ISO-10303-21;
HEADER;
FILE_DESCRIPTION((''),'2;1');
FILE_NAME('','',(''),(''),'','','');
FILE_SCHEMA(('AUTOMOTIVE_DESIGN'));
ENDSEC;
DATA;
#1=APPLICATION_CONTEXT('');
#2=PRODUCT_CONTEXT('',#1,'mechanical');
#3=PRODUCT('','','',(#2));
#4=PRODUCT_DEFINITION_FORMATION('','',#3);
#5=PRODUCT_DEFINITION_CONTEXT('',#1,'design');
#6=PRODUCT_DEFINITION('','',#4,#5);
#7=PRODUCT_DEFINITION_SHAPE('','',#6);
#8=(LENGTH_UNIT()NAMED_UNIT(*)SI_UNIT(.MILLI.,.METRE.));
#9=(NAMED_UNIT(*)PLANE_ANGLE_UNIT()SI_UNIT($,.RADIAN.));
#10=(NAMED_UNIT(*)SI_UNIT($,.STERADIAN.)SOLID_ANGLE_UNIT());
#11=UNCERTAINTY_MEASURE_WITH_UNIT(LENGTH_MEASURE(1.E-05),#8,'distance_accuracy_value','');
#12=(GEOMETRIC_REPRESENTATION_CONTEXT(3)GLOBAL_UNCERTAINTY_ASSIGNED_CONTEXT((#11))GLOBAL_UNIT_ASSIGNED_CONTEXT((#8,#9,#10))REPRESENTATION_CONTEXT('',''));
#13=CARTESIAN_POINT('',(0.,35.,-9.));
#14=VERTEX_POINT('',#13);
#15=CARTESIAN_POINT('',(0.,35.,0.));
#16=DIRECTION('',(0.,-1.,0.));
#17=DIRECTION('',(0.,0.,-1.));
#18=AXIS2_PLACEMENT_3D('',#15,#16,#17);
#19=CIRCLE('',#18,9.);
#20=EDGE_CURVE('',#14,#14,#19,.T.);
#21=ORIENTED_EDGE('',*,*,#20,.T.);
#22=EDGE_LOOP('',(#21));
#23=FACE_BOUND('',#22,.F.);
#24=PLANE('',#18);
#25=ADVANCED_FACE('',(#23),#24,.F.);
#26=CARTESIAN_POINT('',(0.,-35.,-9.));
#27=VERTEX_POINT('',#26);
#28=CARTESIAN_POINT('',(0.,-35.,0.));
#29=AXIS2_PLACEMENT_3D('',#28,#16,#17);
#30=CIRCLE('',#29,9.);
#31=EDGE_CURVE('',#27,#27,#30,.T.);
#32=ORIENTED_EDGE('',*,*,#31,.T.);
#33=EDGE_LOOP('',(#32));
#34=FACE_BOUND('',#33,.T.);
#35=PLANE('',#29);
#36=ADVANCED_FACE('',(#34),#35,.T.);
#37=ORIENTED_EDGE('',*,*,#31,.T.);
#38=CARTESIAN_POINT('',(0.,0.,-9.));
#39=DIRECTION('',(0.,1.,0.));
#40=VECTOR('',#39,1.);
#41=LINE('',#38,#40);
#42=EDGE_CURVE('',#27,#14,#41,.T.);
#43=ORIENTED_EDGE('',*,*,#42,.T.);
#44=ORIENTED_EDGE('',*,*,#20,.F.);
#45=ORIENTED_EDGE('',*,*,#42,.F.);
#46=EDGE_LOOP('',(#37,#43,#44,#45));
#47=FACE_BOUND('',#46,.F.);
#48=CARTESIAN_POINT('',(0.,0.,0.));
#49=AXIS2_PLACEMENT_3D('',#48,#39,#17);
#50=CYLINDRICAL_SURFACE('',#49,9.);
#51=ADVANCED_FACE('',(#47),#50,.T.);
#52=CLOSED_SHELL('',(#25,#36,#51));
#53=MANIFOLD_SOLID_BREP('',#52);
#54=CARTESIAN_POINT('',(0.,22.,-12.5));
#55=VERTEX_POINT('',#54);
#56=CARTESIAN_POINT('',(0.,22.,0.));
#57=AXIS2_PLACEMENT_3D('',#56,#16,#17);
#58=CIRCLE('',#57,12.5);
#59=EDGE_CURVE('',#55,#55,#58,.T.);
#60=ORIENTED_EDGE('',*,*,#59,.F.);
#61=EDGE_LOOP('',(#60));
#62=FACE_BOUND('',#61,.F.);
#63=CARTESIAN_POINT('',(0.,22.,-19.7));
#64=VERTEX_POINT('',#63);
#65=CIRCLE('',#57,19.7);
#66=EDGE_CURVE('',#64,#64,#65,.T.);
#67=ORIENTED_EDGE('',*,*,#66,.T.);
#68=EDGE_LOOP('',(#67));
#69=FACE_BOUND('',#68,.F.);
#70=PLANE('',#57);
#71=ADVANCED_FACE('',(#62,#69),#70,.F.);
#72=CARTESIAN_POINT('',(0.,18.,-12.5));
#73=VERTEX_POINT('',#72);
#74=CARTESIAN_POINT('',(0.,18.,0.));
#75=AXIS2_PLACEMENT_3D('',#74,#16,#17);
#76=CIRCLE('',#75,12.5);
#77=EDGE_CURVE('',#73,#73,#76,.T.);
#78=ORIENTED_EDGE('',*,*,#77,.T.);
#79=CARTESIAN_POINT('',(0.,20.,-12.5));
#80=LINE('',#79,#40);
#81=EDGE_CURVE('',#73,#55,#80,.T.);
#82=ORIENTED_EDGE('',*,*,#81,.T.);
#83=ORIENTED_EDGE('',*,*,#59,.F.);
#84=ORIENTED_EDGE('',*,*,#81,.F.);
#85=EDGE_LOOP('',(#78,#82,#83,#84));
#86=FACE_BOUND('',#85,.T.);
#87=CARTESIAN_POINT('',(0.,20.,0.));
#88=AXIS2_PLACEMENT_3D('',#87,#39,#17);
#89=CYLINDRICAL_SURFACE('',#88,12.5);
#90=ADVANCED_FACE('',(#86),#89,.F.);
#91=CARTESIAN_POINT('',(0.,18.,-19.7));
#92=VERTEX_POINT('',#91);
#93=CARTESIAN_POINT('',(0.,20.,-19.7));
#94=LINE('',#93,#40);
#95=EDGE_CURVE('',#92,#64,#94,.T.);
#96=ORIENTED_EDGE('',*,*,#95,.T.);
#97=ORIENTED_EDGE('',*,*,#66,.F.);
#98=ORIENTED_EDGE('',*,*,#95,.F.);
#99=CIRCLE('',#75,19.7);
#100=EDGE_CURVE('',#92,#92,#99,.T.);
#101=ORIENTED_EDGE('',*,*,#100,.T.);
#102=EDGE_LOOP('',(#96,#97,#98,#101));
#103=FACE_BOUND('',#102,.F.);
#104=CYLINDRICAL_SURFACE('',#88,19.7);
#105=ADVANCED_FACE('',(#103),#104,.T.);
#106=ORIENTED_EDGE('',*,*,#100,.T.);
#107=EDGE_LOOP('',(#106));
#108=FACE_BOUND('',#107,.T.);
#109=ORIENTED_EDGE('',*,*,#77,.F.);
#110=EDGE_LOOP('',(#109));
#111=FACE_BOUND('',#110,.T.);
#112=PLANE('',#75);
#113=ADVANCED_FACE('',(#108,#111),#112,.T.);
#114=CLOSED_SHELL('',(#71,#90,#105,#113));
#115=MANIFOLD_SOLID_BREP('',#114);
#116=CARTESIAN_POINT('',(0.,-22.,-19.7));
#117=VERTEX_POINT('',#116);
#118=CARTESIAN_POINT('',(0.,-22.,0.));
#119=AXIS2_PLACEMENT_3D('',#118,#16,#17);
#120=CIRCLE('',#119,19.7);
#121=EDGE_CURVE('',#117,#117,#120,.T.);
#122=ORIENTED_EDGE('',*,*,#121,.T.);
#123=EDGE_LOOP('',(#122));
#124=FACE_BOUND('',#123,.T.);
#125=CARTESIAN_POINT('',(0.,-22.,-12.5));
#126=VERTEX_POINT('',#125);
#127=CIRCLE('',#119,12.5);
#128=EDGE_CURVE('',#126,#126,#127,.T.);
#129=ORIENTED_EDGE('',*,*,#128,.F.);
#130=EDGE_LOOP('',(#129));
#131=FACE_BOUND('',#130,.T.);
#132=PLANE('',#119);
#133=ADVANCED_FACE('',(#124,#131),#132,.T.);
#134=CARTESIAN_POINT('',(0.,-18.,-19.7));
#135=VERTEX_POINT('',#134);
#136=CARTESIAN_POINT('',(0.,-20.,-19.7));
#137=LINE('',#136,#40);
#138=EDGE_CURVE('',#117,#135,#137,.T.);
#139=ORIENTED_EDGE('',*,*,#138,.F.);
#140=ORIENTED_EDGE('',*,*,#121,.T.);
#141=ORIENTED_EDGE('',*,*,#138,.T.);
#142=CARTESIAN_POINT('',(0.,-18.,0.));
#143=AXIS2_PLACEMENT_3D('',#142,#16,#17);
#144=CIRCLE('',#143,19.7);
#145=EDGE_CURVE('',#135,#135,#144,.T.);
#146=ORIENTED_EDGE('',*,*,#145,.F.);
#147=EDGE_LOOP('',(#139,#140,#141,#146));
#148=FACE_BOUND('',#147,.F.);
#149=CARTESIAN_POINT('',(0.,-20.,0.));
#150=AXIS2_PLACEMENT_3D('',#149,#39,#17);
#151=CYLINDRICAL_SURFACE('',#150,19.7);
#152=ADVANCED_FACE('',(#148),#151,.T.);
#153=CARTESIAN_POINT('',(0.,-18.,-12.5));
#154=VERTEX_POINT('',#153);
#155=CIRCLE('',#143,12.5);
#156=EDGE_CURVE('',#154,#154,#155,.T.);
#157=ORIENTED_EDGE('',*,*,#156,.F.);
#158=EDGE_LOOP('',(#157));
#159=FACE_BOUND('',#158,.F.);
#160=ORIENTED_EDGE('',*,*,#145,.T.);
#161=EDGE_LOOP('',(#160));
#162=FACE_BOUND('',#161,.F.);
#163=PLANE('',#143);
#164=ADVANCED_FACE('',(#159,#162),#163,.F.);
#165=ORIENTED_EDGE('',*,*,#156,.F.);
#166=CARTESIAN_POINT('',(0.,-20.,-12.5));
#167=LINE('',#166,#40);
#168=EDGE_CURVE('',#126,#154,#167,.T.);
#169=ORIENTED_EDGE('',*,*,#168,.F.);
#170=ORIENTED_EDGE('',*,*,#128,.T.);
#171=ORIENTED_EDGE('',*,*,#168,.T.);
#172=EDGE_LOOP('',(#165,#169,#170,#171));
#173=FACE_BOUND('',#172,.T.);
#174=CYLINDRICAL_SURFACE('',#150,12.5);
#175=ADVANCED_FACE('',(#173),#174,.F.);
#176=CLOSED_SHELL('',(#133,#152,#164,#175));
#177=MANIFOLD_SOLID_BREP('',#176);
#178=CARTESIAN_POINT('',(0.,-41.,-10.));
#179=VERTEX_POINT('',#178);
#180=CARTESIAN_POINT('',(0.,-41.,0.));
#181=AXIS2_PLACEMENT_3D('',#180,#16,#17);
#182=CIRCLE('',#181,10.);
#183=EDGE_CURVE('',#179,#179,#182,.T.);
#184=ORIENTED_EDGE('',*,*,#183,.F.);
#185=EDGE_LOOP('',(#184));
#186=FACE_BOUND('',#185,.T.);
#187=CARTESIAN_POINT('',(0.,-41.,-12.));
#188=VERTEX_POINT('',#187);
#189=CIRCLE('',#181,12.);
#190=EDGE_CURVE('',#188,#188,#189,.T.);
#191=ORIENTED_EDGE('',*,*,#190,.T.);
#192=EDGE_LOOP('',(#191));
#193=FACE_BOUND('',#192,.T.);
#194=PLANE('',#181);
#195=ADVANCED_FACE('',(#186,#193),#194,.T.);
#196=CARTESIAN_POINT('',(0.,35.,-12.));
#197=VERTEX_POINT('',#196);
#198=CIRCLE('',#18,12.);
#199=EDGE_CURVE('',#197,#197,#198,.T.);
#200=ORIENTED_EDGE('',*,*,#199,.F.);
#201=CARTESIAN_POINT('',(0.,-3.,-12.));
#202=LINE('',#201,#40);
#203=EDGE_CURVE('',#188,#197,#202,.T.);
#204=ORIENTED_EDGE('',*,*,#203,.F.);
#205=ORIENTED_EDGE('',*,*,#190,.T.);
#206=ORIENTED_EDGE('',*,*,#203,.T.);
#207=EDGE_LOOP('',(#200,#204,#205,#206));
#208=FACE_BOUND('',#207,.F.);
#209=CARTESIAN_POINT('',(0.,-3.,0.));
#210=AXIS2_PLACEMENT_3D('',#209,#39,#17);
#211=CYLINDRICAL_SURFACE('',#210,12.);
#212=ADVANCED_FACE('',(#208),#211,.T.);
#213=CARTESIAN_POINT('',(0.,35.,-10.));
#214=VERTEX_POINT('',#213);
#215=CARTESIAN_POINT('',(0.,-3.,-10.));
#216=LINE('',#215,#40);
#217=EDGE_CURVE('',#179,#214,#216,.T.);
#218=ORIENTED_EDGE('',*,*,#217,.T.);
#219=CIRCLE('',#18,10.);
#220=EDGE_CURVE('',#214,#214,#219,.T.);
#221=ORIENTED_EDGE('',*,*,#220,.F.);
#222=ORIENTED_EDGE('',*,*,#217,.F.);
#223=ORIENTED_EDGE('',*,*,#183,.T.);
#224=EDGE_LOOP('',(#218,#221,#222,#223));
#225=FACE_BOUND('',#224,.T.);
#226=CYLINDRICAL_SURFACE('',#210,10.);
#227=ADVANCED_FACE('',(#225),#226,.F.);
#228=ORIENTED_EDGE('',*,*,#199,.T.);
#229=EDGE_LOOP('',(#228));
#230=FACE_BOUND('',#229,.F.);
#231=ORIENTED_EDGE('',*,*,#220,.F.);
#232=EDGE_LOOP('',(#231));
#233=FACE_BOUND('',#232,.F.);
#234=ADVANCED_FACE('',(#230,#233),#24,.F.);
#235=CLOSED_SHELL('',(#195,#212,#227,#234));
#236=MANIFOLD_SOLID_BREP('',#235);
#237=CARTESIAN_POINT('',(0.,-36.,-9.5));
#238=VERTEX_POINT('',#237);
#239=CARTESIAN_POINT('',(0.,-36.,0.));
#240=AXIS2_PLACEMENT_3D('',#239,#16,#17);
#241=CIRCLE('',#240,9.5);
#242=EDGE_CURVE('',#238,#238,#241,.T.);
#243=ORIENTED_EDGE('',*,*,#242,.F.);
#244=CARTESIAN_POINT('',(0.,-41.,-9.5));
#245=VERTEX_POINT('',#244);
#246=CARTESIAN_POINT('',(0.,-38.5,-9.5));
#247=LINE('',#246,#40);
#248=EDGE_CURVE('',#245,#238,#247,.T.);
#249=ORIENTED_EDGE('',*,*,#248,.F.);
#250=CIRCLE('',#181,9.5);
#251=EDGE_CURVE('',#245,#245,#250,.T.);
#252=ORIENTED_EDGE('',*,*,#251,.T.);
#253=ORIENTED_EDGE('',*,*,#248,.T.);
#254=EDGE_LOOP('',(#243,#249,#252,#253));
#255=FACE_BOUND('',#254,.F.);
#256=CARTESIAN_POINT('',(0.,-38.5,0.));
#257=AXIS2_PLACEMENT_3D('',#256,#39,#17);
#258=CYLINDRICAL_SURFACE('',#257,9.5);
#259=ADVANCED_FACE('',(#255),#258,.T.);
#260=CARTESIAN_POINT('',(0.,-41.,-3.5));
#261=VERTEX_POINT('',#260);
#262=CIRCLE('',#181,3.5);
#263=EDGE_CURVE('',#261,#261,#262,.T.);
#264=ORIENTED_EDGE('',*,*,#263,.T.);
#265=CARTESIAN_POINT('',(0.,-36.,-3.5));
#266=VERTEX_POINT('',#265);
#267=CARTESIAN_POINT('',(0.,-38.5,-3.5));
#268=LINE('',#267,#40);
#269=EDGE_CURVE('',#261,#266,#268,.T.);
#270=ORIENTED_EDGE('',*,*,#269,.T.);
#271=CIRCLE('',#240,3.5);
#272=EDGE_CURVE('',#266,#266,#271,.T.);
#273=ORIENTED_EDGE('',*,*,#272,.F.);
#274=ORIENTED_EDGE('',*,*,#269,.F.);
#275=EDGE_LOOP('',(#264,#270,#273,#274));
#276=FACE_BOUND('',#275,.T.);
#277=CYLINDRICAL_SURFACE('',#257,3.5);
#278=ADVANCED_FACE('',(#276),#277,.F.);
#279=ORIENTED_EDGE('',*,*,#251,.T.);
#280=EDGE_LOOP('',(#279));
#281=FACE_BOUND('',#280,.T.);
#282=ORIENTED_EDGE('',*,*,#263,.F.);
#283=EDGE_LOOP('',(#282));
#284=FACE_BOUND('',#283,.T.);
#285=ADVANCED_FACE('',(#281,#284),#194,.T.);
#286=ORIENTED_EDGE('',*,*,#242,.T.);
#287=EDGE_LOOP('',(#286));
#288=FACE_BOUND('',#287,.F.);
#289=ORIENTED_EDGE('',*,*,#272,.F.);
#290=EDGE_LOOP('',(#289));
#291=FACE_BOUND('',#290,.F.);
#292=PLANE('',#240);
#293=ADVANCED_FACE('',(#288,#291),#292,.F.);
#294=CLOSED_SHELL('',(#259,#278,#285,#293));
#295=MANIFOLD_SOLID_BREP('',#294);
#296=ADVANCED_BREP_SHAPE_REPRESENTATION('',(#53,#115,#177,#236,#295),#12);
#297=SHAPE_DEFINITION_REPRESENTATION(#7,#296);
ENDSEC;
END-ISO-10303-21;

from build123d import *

# Parameters (mm, degrees)
F0_W = 70
F0_H = 9
F2_W = 76
F2_H = 2
F4_W = 4
F4_H = 7.2
F6_W = 5
F6_H = 6


with BuildPart() as f1:
    # F0 (on Right) → F1 (revolve)
    with BuildSketch(Plane.YZ):
        with Locations((0, -4.5)):
            Rectangle(F0_W, F0_H)
    revolve(axis=Axis((0, 0, 0), (0, -1, 0)))


with BuildPart() as f3:
    # F2 (on Right) → F3 (revolve)
    with BuildSketch(Plane.YZ):
        with Locations((-3, -11)):
            Rectangle(F2_W, F2_H)
    revolve(axis=Axis((0, 2.477687, 0), (0, -1, 0)))


with BuildPart() as f5:
    # F4 (on Right) → F5 (revolve)
    with BuildSketch(Plane.YZ):
        with Locations((-20, -16.1)):
            Rectangle(F4_W, F4_H)
        with Locations((20, -16.1)):
            Rectangle(F4_W, F4_H)
    revolve(axis=Axis((0, 2.477687, 0), (0, -1, 0)))


with BuildPart() as f7:
    # F6 (on Right) → F7 (revolve)
    with BuildSketch(Plane.YZ):
        with Locations((-38.5, -6.5)):
            Rectangle(F6_W, F6_H)
    revolve(axis=Axis((0, 2.477687, 0), (0, -1, 0)))


solid = Compound([f1.part, f3.part, f5.part, f7.part])
